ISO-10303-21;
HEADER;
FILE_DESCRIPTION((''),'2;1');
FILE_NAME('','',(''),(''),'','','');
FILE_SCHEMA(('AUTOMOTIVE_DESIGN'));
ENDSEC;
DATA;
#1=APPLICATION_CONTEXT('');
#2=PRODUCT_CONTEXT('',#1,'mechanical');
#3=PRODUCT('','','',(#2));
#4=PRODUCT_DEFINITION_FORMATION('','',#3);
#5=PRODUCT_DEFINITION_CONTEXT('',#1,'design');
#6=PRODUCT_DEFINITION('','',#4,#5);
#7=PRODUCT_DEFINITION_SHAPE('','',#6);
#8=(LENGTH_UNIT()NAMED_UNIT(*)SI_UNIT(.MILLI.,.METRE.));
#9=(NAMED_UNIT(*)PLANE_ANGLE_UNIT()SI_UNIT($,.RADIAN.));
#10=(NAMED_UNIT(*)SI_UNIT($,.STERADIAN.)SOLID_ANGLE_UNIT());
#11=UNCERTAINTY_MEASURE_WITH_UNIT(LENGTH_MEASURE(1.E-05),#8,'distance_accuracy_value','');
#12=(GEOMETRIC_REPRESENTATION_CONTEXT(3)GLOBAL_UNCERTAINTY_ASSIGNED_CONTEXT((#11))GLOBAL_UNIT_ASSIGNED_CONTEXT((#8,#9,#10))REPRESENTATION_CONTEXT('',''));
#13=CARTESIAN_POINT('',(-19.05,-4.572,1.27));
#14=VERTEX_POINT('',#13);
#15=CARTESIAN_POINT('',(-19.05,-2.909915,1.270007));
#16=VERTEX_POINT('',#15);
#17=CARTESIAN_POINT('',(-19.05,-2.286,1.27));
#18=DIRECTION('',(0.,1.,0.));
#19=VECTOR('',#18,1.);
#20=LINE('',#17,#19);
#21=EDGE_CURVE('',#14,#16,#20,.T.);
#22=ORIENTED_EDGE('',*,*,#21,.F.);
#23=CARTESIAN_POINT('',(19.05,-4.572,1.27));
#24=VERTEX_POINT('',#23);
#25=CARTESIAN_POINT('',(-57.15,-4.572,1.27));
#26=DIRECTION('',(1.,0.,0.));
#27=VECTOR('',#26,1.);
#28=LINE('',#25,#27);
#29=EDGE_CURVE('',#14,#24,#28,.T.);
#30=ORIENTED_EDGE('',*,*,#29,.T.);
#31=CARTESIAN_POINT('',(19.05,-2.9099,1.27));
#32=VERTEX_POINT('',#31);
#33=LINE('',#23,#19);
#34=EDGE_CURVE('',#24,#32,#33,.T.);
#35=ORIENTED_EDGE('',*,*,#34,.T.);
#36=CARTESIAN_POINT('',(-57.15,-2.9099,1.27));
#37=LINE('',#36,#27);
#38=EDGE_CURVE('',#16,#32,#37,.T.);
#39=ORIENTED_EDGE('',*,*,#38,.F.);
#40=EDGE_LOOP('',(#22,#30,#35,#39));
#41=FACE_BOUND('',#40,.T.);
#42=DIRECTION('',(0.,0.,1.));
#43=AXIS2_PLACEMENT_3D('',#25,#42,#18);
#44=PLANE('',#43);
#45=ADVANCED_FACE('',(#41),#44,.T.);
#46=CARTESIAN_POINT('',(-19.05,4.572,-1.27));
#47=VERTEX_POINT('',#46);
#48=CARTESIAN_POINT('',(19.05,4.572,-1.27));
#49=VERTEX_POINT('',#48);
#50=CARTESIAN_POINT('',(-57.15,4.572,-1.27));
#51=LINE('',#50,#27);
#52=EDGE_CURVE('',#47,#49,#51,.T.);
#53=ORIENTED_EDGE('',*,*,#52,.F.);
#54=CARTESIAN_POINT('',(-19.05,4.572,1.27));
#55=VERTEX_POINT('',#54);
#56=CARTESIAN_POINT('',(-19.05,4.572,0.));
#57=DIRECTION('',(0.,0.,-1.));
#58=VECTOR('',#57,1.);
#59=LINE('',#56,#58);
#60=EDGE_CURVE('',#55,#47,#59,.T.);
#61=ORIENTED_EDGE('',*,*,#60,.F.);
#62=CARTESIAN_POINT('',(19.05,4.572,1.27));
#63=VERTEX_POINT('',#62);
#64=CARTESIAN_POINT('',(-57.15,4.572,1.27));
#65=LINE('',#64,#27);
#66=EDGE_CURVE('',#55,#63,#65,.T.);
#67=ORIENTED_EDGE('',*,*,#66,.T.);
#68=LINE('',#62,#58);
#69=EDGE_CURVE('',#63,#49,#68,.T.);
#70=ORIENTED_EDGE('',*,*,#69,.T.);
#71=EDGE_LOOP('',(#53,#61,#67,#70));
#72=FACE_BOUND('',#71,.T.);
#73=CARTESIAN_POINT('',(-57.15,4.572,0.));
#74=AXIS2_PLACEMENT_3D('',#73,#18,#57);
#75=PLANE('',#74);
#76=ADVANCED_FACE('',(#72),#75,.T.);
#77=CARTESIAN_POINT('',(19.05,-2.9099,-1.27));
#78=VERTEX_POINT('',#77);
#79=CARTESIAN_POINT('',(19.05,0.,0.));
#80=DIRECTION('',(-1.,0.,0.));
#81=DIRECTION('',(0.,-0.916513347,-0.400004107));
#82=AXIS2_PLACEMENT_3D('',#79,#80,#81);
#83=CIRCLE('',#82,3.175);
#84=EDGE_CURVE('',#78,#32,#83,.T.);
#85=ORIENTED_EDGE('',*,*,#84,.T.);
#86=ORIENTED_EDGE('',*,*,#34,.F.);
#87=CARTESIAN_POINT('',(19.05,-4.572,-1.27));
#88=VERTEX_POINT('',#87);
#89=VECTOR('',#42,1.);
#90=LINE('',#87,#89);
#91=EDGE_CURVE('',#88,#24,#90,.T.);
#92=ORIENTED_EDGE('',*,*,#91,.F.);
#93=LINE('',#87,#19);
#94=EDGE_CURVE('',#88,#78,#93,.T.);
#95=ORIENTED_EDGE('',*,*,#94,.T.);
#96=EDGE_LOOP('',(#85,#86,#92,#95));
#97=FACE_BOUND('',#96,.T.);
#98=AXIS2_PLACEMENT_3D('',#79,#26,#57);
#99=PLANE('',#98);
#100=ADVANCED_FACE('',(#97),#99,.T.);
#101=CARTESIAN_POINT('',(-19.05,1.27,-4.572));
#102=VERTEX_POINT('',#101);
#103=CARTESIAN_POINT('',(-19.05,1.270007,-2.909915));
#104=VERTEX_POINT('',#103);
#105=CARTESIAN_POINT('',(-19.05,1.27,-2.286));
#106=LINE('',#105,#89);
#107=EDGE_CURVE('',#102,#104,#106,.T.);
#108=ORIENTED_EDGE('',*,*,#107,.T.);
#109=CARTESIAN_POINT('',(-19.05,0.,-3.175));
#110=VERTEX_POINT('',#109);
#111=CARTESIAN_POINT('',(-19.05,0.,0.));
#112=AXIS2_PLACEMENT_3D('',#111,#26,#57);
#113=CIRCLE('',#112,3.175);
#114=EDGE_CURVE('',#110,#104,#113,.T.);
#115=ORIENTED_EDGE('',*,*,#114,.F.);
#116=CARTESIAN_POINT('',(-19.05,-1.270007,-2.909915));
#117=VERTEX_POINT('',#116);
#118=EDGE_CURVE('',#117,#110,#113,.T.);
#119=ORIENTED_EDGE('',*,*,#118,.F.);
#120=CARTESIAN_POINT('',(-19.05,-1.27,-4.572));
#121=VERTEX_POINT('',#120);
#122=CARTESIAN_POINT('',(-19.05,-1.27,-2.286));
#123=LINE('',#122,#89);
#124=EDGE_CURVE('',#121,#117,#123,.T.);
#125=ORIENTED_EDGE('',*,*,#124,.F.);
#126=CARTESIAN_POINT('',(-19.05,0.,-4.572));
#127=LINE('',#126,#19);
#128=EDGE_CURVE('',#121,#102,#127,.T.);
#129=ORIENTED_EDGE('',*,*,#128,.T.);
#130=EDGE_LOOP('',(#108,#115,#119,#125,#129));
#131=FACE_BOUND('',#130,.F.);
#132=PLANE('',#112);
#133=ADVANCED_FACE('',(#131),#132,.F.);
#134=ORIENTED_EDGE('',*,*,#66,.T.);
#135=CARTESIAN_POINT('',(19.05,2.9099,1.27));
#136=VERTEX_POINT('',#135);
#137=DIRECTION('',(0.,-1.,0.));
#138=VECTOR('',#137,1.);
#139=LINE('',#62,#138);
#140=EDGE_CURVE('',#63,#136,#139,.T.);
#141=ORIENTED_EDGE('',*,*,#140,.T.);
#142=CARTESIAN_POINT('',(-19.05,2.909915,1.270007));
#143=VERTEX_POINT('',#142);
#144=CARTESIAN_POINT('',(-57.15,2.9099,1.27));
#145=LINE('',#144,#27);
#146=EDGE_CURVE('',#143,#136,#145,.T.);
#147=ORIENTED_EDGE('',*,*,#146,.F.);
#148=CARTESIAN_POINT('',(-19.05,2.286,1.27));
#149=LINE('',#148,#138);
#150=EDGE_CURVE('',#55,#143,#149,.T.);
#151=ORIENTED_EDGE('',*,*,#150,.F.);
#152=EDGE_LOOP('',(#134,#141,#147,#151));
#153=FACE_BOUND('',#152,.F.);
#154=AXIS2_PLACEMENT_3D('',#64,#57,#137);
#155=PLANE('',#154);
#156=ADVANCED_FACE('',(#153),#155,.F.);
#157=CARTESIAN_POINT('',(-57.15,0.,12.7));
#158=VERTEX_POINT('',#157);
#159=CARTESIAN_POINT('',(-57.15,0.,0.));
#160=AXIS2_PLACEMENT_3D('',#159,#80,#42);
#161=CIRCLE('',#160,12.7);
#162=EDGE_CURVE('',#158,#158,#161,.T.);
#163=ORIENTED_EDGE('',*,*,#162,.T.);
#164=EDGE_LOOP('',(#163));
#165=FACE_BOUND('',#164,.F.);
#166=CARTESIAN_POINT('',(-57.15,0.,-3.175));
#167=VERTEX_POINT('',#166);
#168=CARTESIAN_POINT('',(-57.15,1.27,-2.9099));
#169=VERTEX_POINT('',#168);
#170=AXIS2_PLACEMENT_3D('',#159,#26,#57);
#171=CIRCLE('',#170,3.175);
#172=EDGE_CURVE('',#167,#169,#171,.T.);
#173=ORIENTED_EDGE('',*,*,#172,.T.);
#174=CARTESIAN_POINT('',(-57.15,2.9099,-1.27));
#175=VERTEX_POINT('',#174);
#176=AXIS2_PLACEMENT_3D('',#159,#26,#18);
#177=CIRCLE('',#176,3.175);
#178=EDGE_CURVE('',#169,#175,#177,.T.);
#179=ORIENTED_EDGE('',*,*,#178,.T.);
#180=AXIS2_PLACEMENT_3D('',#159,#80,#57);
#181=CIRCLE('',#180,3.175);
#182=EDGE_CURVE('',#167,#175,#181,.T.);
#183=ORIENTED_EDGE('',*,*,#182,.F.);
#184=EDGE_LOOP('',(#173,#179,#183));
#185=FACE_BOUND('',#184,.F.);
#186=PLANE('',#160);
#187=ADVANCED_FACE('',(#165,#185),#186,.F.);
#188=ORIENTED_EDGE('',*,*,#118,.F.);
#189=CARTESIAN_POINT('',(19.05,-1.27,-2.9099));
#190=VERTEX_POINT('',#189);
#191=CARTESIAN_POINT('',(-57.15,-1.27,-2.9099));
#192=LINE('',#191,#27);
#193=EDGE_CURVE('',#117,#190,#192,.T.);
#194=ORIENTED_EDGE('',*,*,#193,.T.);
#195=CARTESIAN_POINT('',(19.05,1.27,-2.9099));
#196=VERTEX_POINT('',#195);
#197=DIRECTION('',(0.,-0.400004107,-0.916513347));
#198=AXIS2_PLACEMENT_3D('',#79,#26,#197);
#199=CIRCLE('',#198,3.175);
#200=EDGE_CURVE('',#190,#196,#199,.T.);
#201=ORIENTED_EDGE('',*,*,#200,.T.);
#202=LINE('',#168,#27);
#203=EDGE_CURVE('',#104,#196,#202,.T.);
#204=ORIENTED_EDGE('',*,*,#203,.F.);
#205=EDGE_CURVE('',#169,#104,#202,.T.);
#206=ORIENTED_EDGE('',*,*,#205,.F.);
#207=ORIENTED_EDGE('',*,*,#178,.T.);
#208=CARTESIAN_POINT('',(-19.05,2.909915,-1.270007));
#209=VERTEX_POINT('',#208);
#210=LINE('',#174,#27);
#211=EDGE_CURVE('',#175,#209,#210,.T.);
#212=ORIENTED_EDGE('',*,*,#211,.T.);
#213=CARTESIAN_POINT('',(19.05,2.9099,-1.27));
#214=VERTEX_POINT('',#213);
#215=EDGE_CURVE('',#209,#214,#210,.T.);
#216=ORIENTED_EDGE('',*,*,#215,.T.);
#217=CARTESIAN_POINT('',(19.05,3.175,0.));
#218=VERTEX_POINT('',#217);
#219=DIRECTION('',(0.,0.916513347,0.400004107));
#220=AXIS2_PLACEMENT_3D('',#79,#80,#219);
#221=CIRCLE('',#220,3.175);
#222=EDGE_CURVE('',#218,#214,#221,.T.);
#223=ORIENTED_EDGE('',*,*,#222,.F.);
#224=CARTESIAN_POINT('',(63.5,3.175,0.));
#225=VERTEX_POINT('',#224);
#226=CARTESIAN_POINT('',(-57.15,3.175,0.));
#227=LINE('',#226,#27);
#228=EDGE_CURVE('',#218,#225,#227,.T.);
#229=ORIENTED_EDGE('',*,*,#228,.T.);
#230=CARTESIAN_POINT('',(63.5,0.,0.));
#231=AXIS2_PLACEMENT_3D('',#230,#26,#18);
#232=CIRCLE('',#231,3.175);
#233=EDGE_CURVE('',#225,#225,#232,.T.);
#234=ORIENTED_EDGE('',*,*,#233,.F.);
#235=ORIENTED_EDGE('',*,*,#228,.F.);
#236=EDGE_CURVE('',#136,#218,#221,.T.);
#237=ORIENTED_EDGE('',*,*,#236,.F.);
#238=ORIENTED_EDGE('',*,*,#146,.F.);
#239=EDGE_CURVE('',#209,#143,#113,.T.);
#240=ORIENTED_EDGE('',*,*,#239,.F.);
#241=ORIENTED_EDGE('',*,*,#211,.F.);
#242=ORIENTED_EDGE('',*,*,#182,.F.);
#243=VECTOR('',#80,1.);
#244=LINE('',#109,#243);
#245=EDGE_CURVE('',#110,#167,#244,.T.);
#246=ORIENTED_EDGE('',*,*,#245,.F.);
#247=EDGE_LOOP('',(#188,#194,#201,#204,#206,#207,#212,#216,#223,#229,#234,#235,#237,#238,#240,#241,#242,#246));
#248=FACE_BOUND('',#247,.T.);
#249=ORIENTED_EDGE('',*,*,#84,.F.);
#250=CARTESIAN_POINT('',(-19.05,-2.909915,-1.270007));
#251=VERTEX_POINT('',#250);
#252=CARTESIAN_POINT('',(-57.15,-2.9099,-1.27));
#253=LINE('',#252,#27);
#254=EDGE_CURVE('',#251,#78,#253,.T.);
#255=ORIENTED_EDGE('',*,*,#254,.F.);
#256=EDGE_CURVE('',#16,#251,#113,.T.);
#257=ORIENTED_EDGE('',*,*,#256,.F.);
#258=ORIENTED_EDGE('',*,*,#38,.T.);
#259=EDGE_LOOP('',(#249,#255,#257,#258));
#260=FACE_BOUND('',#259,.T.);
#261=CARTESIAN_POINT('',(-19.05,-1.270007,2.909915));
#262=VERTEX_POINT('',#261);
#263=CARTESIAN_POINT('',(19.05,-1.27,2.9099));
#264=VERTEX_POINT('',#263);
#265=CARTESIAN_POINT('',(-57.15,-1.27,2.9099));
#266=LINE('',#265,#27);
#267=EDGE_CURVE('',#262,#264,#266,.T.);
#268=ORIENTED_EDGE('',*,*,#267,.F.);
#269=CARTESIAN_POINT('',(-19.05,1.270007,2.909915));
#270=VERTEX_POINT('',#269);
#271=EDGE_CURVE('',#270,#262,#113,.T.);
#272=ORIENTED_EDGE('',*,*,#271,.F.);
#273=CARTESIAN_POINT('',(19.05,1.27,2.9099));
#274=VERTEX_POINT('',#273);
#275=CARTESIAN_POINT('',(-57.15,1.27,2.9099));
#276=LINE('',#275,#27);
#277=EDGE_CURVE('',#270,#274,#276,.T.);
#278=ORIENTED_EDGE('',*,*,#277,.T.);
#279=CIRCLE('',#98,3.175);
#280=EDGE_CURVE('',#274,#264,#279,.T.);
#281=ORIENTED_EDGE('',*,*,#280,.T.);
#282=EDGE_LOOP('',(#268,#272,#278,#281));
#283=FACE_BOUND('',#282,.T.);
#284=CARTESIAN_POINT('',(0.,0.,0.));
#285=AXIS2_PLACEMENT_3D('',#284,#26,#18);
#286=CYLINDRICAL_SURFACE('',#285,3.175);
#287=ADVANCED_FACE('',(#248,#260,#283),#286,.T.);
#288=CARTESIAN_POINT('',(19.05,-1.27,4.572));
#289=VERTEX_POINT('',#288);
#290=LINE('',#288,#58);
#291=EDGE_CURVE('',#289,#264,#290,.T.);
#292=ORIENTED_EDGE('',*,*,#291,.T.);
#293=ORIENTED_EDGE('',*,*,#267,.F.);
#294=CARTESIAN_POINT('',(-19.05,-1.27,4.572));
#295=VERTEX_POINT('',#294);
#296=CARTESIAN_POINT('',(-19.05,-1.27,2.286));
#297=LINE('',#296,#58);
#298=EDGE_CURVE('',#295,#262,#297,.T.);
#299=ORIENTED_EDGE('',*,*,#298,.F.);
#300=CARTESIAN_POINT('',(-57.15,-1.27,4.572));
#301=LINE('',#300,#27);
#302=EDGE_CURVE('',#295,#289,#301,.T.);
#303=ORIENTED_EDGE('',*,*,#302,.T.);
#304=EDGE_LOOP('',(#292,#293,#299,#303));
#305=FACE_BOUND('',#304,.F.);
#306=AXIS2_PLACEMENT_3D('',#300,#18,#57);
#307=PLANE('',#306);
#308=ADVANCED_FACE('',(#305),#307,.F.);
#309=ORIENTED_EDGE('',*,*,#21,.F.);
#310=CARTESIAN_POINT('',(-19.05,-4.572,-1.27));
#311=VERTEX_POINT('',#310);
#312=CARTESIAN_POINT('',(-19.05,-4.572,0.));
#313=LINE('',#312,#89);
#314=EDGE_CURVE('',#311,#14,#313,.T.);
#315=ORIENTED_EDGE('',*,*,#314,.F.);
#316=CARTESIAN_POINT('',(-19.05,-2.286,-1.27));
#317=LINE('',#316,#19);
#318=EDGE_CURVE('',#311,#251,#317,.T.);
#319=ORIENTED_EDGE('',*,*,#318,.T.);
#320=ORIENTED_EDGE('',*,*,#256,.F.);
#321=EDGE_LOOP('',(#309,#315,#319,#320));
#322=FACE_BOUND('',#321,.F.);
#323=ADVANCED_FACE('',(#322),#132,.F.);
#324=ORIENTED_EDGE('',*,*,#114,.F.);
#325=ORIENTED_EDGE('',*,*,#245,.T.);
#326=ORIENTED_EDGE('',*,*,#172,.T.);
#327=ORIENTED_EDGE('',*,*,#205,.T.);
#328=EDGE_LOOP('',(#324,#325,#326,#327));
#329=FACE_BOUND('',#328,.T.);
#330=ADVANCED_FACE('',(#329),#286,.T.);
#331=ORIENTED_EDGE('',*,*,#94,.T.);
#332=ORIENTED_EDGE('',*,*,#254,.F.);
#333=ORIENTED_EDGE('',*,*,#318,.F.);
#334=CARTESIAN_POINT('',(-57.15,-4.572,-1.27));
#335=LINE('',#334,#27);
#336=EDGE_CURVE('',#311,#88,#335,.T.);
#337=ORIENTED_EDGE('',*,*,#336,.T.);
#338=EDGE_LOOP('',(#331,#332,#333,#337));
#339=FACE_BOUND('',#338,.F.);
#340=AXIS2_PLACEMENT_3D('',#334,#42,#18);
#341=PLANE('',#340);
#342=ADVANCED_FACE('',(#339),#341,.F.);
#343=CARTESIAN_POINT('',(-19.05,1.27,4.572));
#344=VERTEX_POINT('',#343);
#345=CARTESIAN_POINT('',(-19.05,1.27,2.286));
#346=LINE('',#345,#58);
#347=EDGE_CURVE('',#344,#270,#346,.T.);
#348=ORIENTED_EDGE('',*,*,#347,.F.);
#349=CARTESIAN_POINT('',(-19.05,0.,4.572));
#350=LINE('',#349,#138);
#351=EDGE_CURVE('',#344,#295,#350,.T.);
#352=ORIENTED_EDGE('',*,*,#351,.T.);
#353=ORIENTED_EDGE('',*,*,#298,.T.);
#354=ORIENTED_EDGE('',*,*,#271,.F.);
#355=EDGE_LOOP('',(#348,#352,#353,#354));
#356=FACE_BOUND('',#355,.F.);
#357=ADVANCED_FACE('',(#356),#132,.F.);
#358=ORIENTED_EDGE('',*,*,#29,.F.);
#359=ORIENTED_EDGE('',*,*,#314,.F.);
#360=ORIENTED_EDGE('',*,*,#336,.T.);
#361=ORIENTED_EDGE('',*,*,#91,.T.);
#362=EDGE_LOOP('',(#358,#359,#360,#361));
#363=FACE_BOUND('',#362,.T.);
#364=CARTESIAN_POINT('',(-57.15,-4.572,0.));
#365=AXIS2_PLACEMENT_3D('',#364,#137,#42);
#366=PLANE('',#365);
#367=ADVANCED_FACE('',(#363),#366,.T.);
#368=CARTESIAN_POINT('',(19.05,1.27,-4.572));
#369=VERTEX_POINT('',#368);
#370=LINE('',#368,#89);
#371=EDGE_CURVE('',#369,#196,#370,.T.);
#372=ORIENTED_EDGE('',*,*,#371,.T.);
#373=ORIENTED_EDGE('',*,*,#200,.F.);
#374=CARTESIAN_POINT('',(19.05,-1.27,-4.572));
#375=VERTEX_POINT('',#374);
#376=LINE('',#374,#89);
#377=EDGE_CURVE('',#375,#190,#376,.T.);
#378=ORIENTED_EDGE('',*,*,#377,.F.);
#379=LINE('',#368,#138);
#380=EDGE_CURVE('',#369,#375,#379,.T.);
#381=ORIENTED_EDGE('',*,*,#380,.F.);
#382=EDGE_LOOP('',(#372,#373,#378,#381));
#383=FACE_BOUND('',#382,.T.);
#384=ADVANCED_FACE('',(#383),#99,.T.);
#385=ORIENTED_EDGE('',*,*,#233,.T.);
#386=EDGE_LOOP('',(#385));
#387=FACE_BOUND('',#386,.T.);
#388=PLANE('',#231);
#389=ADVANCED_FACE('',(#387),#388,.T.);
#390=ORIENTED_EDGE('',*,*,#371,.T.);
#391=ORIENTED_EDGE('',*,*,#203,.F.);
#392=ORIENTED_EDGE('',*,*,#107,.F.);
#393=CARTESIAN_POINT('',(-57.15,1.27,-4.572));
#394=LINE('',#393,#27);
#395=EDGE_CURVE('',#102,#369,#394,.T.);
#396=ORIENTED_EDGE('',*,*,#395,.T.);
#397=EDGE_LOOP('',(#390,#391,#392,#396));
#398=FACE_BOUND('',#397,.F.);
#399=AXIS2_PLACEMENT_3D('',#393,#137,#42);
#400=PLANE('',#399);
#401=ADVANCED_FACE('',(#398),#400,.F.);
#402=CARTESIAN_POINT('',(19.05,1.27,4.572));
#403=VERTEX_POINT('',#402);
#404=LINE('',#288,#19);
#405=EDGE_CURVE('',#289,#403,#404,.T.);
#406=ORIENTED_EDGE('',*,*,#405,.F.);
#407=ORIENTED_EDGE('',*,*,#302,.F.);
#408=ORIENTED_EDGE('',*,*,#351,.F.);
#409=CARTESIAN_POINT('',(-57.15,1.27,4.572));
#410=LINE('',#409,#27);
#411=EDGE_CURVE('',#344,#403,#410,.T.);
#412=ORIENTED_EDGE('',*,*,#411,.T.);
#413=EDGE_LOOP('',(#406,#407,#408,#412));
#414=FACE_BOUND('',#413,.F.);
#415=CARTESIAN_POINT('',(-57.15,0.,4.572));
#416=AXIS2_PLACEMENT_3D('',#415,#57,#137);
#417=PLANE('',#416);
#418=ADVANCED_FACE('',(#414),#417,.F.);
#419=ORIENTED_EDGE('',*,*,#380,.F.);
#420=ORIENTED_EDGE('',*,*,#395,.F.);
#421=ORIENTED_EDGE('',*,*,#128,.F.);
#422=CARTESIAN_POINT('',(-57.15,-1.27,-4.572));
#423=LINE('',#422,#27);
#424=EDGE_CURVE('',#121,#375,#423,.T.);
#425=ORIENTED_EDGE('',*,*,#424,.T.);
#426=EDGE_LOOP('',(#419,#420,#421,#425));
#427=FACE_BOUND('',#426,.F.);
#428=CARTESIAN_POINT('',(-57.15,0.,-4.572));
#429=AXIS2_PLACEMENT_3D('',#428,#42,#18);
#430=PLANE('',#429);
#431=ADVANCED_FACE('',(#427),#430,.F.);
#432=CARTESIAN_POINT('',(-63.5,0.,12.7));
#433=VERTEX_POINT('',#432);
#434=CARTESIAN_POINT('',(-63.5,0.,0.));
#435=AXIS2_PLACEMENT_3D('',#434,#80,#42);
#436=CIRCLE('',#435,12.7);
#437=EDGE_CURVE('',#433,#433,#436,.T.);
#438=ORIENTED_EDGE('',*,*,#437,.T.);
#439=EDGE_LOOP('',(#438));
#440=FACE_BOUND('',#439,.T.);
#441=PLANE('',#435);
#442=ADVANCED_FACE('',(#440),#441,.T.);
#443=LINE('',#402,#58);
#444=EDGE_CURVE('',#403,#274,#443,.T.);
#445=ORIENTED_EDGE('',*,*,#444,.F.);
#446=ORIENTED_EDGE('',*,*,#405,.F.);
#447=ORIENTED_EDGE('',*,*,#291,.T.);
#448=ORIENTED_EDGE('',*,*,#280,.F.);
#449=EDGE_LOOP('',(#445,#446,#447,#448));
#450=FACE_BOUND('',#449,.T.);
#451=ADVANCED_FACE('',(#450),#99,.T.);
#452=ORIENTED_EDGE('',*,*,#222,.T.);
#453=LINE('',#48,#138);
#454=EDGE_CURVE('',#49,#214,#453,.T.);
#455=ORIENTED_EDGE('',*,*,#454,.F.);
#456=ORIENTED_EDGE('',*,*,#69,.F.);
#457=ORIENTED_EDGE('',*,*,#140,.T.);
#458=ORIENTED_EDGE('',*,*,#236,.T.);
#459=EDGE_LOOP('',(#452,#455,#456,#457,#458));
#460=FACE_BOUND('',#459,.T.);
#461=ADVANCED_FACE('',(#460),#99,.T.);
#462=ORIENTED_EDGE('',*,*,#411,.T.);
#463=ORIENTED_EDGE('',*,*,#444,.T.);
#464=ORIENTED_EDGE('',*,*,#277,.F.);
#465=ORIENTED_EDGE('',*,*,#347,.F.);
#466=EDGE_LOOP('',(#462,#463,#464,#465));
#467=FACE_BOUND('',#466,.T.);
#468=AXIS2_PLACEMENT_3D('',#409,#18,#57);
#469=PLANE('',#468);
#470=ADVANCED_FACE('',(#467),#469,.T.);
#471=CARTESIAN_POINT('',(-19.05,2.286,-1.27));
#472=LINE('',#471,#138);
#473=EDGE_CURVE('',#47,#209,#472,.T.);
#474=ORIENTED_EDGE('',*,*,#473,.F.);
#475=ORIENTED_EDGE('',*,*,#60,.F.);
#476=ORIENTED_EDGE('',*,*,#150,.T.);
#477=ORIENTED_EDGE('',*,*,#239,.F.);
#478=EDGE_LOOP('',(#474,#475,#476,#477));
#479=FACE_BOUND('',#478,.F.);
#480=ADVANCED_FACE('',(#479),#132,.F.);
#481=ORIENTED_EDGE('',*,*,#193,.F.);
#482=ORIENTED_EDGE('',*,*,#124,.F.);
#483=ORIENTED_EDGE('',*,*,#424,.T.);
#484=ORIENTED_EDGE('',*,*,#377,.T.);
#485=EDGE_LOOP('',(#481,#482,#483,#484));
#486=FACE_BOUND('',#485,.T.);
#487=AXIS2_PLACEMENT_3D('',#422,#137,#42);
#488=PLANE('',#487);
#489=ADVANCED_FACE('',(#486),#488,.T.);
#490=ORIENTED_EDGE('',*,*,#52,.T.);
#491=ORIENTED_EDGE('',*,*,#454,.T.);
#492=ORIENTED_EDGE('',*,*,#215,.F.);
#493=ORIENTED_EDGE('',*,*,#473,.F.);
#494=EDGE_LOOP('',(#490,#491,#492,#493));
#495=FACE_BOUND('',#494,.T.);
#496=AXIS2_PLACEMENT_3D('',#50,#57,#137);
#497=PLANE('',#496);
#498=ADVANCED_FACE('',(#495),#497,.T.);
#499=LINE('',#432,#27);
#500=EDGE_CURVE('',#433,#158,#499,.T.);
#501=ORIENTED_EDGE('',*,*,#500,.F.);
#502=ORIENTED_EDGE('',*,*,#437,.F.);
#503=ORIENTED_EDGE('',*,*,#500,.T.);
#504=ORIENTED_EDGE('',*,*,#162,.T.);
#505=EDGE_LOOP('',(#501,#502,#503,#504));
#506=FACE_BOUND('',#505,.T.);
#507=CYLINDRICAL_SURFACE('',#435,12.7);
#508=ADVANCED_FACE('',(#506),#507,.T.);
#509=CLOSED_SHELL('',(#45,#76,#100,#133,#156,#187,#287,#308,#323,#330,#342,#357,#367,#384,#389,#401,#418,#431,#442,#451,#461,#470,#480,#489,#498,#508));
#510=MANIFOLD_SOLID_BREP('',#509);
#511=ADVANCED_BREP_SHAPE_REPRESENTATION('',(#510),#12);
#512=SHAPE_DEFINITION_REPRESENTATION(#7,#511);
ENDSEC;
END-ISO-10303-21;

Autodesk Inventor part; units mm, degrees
ref_plane "YZ Plane" through (0, 0, 0) normal (1, 0, 0) x (0, 1, 0)
ref_plane "XZ Plane" through (0, 0, 0) normal (0, 1, 0) x (-1, 0, 0)
sketch "Sketch2" plane through (0, 0, 0) normal (1, 0, 0) x (0, 1, 0)
  circle A0 centre (0, 0) radius 3.175
  dimension "d0" = 6.35
extrude "Extrusion1" add sketch "Sketch2" along normal mid plane 127
sketch "Sketch3" plane through (-63.5, 0, 0) normal (-1, 0, 0) x (0, 0, 1)
  circle A0 centre (0, 0) radius 12.7
  dimension "d3" = 25.4
extrude "Extrusion2" add sketch "Sketch3" against normal blind 6.35
sketch "Sketch4" plane through (-57.15, 0, 0) normal (1, 0, 0) x (0, 0, -1)
  line L0 (0, 4.572) -> (1.27, 4.572)
  line L1 (1.27, 4.572) -> (1.27, 2.9099)
  circle A0 centre (0, 0) radius 3.175 projected
  line L2 (0, -17.78) -> (0, 17.78) projected
  line L3 (0, 4.572) -> (-1.27, 4.572)
  line L4 (-1.27, 4.572) -> (-1.27, 2.9099)
  line L5 (-4.572, 0) -> (-4.572, -1.27)
  line L6 (-4.572, 0) -> (-4.572, 1.27)
  line L7 (-4.572, 1.27) -> (-2.9099, 1.27)
  line L8 (-4.572, -1.27) -> (-2.9099, -1.27)
  line L9 (0, -4.572) -> (1.27, -4.572)
  line L10 (0, -4.572) -> (-1.27, -4.572)
  line L11 (-1.27, -4.572) -> (-1.27, -2.9099)
  line L12 (1.27, -4.572) -> (1.27, -2.9099)
  line L13 (4.572, 0) -> (4.572, 1.27)
  line L14 (4.572, 0) -> (4.572, -1.27)
  line L15 (4.572, -1.27) -> (2.9099, -1.27)
  line L16 (4.572, 1.27) -> (2.9099, 1.27)
  arc A1 (1.27, 2.9099) -> (-1.27, 2.9099) centre (0, 0) ccw
  arc A2 (2.9099, -1.27) -> (2.9099, 1.27) centre (0, 0) ccw
  arc A3 (-2.9099, 1.27) -> (-2.9099, -1.27) centre (0, 0) ccw
  arc A4 (-1.27, -2.9099) -> (1.27, -2.9099) centre (0, 0) ccw
  dimension "d7" = 1.27
  dimension "d10" = 360
  dimension "d15" = 1.397
extrude "Extrusion3" add sketch "Sketch4" along normal blind 76.2 contours L0 L1 A0 L2 | L2 A0 L4 L3 | L2 L10 L11 A0 | A0 L12 L9 L2 | L16 L13 L14 L15 A0 | A0 L8 L5 L6 L7
ref_plane "Work Plane1" through (-19.05, 0, 0) normal (1, 0, 0) x (0, 0, -1)
sketch "Sketch5" plane through (-19.05, 0, 0) normal (1, 0, 0) x (0, 0, -1)
  circle A0 centre (0, 0) radius 3.175
  circle A1 centre (0, 0) radius 5.4209
extrude "Extrusion4" cut sketch "Sketch5" against normal blind 38.1
properties part number "ShaftForWormGear" material "PBT Plastic"
